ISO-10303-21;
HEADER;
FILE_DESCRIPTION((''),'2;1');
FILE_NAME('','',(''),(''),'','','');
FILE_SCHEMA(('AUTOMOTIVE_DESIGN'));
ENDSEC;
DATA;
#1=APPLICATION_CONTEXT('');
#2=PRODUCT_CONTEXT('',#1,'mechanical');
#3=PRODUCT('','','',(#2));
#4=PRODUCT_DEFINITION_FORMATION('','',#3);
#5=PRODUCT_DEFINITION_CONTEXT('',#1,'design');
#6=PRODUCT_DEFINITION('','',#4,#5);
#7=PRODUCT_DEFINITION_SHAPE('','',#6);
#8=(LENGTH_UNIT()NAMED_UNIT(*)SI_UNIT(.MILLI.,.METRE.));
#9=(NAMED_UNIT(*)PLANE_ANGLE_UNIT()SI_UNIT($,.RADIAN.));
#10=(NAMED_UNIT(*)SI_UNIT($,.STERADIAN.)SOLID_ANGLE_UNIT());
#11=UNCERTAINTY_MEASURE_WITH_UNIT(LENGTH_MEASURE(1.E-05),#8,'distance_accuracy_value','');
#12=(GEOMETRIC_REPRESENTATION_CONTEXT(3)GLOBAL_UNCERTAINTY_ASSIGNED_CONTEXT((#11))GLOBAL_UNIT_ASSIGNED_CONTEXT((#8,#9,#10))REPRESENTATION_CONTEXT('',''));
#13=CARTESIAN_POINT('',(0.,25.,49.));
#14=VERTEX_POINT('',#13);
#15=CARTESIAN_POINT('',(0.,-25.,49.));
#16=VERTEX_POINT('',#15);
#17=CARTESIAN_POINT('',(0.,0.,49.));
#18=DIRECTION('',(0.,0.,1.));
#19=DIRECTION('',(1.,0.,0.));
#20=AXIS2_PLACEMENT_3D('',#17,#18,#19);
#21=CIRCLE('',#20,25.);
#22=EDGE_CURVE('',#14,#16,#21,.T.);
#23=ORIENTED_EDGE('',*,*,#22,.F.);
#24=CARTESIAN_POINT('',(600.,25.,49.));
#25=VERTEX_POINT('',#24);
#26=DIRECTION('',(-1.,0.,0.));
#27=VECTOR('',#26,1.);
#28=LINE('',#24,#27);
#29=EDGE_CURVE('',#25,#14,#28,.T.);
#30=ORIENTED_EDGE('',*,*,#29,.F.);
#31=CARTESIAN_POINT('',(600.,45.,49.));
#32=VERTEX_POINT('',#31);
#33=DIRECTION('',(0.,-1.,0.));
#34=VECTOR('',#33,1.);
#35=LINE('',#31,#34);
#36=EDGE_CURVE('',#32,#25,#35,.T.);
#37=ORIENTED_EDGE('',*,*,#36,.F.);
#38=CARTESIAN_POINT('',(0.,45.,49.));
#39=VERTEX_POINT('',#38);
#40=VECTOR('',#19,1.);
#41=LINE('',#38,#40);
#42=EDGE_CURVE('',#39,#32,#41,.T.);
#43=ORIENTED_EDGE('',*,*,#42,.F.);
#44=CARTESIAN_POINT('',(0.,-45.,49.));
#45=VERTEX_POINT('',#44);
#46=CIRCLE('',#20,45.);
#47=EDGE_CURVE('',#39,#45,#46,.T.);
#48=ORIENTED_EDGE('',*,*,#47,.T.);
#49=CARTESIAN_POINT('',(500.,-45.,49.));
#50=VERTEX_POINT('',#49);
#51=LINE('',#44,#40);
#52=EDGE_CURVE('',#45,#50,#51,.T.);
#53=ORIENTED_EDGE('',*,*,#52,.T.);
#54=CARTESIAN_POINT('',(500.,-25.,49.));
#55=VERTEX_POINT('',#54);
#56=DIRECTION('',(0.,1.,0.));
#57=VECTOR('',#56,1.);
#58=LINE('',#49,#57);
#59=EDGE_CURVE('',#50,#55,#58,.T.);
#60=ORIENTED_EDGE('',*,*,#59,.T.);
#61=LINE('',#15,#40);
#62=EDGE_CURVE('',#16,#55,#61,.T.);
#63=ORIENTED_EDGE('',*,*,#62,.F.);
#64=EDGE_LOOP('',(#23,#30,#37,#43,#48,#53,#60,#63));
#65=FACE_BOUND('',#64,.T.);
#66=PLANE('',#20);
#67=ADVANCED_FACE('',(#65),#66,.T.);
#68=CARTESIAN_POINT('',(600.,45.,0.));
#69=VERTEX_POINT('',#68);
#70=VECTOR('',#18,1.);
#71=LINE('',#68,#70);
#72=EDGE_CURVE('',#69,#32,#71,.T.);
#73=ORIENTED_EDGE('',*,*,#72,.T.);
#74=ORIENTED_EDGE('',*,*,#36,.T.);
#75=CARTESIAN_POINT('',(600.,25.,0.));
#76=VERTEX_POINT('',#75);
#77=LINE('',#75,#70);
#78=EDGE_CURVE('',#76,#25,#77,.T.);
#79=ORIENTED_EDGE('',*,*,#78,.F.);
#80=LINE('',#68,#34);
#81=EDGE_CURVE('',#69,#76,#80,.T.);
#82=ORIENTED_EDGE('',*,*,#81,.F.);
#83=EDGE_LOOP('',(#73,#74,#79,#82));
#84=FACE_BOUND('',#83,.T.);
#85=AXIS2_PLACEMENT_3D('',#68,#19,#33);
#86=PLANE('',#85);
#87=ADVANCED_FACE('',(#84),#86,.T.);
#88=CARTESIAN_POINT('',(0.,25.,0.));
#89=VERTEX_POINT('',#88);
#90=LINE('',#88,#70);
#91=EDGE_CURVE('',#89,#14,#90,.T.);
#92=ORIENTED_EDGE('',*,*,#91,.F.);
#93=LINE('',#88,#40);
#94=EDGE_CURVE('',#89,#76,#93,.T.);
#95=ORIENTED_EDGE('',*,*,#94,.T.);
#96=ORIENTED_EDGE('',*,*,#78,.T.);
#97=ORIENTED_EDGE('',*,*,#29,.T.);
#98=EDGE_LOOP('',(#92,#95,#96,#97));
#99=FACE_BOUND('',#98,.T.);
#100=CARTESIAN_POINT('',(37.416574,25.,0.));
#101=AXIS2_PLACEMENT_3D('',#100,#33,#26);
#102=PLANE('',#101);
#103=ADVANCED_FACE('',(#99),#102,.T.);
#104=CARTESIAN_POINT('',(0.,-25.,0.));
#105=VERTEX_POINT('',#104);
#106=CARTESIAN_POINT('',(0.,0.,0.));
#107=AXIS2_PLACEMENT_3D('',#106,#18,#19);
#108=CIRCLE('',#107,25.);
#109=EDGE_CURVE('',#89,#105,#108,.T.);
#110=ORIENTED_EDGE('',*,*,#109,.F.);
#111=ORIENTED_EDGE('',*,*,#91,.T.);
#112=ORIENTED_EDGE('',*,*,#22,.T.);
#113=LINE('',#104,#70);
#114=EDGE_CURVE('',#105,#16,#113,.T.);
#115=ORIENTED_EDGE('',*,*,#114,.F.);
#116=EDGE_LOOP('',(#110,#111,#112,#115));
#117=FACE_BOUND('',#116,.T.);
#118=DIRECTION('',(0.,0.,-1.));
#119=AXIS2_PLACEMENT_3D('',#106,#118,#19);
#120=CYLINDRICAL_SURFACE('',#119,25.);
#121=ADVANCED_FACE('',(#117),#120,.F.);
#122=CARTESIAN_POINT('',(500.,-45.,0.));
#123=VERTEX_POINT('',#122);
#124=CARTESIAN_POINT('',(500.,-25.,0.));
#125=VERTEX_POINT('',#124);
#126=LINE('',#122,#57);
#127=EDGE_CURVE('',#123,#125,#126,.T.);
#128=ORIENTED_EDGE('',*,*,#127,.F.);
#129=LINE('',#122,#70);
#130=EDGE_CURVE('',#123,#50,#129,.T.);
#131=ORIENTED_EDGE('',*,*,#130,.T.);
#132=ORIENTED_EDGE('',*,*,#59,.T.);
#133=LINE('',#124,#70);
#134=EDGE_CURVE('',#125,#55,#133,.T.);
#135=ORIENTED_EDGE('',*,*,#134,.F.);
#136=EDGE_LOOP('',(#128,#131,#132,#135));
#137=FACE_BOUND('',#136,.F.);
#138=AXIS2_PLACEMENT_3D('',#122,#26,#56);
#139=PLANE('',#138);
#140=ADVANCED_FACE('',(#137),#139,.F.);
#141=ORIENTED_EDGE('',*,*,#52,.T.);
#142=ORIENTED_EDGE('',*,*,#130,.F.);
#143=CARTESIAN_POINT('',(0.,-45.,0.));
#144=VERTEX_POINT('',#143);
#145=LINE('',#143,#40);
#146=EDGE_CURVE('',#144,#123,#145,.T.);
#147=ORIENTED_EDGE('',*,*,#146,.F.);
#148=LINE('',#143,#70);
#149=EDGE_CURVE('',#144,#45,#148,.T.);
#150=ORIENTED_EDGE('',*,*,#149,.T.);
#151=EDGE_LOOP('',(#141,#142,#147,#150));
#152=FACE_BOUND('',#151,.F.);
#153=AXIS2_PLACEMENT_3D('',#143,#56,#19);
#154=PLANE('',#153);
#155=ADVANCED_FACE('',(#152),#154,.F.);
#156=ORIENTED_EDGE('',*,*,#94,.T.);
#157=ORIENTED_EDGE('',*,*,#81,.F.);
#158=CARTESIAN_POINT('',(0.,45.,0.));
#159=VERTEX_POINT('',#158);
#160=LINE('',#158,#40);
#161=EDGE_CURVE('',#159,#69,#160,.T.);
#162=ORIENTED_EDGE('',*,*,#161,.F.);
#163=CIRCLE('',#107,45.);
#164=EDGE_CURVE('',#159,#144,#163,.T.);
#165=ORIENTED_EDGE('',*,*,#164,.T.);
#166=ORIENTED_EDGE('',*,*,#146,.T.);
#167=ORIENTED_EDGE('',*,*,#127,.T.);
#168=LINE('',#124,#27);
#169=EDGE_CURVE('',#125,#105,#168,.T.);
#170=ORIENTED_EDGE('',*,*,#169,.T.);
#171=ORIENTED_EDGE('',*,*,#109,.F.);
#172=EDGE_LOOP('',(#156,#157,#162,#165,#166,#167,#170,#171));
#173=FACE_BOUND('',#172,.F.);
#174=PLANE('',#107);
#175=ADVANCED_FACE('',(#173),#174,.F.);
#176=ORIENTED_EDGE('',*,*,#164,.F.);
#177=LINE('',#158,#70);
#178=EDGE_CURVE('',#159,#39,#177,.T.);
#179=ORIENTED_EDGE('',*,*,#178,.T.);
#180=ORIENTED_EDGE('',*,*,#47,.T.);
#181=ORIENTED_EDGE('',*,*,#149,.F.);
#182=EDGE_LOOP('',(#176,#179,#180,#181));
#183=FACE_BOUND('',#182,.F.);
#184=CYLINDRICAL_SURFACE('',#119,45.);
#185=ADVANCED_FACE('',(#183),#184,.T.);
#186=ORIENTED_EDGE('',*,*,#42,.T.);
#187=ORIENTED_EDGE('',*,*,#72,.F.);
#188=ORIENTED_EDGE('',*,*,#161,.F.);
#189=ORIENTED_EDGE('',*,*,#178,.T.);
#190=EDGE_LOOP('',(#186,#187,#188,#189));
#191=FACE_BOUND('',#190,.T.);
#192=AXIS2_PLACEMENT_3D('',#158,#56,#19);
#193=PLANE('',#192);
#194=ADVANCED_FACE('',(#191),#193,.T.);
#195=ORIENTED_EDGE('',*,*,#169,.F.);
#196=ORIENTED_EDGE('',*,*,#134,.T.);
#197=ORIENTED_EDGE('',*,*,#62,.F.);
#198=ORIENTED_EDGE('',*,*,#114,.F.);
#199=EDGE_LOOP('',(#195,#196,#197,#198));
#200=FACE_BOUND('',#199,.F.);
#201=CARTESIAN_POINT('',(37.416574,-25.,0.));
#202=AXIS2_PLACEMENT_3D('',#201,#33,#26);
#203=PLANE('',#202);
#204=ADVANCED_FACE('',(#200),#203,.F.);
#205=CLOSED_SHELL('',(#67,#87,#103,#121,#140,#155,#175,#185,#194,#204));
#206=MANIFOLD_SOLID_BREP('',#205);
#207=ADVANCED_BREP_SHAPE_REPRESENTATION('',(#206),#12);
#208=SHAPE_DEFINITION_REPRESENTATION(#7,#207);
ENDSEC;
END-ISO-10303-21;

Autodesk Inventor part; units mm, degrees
ref_plane "YZ Plane" through (0, 0, 0) normal (1, 0, 0) x (0, 1, 0)
ref_plane "XZ Plane" through (0, 0, 0) normal (0, 1, 0) x (-1, 0, 0)
ref_plane "XY Plane" through (0, 0, 0) normal (0, 0, 1) x (1, 0, 0)
sketch "Sketch1" plane through (0, 0, 0) normal (0, 0, 1) x (1, 0, 0)
  circle A0 centre (0, 0) radius 45
  line L0 (0, -45) -> (500, -45)
  line L1 (500, -45) -> (500, -25)
  line L2 (500, -25) -> (0, -25)
  line L3 (0, -25) -> (0, -45)
  line L4 (0, 45) -> (600, 45)
  line L5 (600, 45) -> (600, 25)
  line L6 (600, 25) -> (0, 25)
  line L7 (0, 25) -> (0, 45)
  circle A1 centre (0, 0) radius 25
  point P0 (0, -25)
  point P1 (0, 25)
  dimension "d0" = 90
  dimension "d1" = 20
  dimension "d2" = 20
  dimension "d4" = 500
  dimension "d9" = 600
extrude "Extrusion1" add sketch "Sketch1" along normal blind 49 contours L7 A1 L3 A0 | L4 L5 L6 A0 | A0 L6 L7 | L3 L2 A0 | A0 L2 L1 L0
properties part number "J15BF.1.40_Xaxis_B"
